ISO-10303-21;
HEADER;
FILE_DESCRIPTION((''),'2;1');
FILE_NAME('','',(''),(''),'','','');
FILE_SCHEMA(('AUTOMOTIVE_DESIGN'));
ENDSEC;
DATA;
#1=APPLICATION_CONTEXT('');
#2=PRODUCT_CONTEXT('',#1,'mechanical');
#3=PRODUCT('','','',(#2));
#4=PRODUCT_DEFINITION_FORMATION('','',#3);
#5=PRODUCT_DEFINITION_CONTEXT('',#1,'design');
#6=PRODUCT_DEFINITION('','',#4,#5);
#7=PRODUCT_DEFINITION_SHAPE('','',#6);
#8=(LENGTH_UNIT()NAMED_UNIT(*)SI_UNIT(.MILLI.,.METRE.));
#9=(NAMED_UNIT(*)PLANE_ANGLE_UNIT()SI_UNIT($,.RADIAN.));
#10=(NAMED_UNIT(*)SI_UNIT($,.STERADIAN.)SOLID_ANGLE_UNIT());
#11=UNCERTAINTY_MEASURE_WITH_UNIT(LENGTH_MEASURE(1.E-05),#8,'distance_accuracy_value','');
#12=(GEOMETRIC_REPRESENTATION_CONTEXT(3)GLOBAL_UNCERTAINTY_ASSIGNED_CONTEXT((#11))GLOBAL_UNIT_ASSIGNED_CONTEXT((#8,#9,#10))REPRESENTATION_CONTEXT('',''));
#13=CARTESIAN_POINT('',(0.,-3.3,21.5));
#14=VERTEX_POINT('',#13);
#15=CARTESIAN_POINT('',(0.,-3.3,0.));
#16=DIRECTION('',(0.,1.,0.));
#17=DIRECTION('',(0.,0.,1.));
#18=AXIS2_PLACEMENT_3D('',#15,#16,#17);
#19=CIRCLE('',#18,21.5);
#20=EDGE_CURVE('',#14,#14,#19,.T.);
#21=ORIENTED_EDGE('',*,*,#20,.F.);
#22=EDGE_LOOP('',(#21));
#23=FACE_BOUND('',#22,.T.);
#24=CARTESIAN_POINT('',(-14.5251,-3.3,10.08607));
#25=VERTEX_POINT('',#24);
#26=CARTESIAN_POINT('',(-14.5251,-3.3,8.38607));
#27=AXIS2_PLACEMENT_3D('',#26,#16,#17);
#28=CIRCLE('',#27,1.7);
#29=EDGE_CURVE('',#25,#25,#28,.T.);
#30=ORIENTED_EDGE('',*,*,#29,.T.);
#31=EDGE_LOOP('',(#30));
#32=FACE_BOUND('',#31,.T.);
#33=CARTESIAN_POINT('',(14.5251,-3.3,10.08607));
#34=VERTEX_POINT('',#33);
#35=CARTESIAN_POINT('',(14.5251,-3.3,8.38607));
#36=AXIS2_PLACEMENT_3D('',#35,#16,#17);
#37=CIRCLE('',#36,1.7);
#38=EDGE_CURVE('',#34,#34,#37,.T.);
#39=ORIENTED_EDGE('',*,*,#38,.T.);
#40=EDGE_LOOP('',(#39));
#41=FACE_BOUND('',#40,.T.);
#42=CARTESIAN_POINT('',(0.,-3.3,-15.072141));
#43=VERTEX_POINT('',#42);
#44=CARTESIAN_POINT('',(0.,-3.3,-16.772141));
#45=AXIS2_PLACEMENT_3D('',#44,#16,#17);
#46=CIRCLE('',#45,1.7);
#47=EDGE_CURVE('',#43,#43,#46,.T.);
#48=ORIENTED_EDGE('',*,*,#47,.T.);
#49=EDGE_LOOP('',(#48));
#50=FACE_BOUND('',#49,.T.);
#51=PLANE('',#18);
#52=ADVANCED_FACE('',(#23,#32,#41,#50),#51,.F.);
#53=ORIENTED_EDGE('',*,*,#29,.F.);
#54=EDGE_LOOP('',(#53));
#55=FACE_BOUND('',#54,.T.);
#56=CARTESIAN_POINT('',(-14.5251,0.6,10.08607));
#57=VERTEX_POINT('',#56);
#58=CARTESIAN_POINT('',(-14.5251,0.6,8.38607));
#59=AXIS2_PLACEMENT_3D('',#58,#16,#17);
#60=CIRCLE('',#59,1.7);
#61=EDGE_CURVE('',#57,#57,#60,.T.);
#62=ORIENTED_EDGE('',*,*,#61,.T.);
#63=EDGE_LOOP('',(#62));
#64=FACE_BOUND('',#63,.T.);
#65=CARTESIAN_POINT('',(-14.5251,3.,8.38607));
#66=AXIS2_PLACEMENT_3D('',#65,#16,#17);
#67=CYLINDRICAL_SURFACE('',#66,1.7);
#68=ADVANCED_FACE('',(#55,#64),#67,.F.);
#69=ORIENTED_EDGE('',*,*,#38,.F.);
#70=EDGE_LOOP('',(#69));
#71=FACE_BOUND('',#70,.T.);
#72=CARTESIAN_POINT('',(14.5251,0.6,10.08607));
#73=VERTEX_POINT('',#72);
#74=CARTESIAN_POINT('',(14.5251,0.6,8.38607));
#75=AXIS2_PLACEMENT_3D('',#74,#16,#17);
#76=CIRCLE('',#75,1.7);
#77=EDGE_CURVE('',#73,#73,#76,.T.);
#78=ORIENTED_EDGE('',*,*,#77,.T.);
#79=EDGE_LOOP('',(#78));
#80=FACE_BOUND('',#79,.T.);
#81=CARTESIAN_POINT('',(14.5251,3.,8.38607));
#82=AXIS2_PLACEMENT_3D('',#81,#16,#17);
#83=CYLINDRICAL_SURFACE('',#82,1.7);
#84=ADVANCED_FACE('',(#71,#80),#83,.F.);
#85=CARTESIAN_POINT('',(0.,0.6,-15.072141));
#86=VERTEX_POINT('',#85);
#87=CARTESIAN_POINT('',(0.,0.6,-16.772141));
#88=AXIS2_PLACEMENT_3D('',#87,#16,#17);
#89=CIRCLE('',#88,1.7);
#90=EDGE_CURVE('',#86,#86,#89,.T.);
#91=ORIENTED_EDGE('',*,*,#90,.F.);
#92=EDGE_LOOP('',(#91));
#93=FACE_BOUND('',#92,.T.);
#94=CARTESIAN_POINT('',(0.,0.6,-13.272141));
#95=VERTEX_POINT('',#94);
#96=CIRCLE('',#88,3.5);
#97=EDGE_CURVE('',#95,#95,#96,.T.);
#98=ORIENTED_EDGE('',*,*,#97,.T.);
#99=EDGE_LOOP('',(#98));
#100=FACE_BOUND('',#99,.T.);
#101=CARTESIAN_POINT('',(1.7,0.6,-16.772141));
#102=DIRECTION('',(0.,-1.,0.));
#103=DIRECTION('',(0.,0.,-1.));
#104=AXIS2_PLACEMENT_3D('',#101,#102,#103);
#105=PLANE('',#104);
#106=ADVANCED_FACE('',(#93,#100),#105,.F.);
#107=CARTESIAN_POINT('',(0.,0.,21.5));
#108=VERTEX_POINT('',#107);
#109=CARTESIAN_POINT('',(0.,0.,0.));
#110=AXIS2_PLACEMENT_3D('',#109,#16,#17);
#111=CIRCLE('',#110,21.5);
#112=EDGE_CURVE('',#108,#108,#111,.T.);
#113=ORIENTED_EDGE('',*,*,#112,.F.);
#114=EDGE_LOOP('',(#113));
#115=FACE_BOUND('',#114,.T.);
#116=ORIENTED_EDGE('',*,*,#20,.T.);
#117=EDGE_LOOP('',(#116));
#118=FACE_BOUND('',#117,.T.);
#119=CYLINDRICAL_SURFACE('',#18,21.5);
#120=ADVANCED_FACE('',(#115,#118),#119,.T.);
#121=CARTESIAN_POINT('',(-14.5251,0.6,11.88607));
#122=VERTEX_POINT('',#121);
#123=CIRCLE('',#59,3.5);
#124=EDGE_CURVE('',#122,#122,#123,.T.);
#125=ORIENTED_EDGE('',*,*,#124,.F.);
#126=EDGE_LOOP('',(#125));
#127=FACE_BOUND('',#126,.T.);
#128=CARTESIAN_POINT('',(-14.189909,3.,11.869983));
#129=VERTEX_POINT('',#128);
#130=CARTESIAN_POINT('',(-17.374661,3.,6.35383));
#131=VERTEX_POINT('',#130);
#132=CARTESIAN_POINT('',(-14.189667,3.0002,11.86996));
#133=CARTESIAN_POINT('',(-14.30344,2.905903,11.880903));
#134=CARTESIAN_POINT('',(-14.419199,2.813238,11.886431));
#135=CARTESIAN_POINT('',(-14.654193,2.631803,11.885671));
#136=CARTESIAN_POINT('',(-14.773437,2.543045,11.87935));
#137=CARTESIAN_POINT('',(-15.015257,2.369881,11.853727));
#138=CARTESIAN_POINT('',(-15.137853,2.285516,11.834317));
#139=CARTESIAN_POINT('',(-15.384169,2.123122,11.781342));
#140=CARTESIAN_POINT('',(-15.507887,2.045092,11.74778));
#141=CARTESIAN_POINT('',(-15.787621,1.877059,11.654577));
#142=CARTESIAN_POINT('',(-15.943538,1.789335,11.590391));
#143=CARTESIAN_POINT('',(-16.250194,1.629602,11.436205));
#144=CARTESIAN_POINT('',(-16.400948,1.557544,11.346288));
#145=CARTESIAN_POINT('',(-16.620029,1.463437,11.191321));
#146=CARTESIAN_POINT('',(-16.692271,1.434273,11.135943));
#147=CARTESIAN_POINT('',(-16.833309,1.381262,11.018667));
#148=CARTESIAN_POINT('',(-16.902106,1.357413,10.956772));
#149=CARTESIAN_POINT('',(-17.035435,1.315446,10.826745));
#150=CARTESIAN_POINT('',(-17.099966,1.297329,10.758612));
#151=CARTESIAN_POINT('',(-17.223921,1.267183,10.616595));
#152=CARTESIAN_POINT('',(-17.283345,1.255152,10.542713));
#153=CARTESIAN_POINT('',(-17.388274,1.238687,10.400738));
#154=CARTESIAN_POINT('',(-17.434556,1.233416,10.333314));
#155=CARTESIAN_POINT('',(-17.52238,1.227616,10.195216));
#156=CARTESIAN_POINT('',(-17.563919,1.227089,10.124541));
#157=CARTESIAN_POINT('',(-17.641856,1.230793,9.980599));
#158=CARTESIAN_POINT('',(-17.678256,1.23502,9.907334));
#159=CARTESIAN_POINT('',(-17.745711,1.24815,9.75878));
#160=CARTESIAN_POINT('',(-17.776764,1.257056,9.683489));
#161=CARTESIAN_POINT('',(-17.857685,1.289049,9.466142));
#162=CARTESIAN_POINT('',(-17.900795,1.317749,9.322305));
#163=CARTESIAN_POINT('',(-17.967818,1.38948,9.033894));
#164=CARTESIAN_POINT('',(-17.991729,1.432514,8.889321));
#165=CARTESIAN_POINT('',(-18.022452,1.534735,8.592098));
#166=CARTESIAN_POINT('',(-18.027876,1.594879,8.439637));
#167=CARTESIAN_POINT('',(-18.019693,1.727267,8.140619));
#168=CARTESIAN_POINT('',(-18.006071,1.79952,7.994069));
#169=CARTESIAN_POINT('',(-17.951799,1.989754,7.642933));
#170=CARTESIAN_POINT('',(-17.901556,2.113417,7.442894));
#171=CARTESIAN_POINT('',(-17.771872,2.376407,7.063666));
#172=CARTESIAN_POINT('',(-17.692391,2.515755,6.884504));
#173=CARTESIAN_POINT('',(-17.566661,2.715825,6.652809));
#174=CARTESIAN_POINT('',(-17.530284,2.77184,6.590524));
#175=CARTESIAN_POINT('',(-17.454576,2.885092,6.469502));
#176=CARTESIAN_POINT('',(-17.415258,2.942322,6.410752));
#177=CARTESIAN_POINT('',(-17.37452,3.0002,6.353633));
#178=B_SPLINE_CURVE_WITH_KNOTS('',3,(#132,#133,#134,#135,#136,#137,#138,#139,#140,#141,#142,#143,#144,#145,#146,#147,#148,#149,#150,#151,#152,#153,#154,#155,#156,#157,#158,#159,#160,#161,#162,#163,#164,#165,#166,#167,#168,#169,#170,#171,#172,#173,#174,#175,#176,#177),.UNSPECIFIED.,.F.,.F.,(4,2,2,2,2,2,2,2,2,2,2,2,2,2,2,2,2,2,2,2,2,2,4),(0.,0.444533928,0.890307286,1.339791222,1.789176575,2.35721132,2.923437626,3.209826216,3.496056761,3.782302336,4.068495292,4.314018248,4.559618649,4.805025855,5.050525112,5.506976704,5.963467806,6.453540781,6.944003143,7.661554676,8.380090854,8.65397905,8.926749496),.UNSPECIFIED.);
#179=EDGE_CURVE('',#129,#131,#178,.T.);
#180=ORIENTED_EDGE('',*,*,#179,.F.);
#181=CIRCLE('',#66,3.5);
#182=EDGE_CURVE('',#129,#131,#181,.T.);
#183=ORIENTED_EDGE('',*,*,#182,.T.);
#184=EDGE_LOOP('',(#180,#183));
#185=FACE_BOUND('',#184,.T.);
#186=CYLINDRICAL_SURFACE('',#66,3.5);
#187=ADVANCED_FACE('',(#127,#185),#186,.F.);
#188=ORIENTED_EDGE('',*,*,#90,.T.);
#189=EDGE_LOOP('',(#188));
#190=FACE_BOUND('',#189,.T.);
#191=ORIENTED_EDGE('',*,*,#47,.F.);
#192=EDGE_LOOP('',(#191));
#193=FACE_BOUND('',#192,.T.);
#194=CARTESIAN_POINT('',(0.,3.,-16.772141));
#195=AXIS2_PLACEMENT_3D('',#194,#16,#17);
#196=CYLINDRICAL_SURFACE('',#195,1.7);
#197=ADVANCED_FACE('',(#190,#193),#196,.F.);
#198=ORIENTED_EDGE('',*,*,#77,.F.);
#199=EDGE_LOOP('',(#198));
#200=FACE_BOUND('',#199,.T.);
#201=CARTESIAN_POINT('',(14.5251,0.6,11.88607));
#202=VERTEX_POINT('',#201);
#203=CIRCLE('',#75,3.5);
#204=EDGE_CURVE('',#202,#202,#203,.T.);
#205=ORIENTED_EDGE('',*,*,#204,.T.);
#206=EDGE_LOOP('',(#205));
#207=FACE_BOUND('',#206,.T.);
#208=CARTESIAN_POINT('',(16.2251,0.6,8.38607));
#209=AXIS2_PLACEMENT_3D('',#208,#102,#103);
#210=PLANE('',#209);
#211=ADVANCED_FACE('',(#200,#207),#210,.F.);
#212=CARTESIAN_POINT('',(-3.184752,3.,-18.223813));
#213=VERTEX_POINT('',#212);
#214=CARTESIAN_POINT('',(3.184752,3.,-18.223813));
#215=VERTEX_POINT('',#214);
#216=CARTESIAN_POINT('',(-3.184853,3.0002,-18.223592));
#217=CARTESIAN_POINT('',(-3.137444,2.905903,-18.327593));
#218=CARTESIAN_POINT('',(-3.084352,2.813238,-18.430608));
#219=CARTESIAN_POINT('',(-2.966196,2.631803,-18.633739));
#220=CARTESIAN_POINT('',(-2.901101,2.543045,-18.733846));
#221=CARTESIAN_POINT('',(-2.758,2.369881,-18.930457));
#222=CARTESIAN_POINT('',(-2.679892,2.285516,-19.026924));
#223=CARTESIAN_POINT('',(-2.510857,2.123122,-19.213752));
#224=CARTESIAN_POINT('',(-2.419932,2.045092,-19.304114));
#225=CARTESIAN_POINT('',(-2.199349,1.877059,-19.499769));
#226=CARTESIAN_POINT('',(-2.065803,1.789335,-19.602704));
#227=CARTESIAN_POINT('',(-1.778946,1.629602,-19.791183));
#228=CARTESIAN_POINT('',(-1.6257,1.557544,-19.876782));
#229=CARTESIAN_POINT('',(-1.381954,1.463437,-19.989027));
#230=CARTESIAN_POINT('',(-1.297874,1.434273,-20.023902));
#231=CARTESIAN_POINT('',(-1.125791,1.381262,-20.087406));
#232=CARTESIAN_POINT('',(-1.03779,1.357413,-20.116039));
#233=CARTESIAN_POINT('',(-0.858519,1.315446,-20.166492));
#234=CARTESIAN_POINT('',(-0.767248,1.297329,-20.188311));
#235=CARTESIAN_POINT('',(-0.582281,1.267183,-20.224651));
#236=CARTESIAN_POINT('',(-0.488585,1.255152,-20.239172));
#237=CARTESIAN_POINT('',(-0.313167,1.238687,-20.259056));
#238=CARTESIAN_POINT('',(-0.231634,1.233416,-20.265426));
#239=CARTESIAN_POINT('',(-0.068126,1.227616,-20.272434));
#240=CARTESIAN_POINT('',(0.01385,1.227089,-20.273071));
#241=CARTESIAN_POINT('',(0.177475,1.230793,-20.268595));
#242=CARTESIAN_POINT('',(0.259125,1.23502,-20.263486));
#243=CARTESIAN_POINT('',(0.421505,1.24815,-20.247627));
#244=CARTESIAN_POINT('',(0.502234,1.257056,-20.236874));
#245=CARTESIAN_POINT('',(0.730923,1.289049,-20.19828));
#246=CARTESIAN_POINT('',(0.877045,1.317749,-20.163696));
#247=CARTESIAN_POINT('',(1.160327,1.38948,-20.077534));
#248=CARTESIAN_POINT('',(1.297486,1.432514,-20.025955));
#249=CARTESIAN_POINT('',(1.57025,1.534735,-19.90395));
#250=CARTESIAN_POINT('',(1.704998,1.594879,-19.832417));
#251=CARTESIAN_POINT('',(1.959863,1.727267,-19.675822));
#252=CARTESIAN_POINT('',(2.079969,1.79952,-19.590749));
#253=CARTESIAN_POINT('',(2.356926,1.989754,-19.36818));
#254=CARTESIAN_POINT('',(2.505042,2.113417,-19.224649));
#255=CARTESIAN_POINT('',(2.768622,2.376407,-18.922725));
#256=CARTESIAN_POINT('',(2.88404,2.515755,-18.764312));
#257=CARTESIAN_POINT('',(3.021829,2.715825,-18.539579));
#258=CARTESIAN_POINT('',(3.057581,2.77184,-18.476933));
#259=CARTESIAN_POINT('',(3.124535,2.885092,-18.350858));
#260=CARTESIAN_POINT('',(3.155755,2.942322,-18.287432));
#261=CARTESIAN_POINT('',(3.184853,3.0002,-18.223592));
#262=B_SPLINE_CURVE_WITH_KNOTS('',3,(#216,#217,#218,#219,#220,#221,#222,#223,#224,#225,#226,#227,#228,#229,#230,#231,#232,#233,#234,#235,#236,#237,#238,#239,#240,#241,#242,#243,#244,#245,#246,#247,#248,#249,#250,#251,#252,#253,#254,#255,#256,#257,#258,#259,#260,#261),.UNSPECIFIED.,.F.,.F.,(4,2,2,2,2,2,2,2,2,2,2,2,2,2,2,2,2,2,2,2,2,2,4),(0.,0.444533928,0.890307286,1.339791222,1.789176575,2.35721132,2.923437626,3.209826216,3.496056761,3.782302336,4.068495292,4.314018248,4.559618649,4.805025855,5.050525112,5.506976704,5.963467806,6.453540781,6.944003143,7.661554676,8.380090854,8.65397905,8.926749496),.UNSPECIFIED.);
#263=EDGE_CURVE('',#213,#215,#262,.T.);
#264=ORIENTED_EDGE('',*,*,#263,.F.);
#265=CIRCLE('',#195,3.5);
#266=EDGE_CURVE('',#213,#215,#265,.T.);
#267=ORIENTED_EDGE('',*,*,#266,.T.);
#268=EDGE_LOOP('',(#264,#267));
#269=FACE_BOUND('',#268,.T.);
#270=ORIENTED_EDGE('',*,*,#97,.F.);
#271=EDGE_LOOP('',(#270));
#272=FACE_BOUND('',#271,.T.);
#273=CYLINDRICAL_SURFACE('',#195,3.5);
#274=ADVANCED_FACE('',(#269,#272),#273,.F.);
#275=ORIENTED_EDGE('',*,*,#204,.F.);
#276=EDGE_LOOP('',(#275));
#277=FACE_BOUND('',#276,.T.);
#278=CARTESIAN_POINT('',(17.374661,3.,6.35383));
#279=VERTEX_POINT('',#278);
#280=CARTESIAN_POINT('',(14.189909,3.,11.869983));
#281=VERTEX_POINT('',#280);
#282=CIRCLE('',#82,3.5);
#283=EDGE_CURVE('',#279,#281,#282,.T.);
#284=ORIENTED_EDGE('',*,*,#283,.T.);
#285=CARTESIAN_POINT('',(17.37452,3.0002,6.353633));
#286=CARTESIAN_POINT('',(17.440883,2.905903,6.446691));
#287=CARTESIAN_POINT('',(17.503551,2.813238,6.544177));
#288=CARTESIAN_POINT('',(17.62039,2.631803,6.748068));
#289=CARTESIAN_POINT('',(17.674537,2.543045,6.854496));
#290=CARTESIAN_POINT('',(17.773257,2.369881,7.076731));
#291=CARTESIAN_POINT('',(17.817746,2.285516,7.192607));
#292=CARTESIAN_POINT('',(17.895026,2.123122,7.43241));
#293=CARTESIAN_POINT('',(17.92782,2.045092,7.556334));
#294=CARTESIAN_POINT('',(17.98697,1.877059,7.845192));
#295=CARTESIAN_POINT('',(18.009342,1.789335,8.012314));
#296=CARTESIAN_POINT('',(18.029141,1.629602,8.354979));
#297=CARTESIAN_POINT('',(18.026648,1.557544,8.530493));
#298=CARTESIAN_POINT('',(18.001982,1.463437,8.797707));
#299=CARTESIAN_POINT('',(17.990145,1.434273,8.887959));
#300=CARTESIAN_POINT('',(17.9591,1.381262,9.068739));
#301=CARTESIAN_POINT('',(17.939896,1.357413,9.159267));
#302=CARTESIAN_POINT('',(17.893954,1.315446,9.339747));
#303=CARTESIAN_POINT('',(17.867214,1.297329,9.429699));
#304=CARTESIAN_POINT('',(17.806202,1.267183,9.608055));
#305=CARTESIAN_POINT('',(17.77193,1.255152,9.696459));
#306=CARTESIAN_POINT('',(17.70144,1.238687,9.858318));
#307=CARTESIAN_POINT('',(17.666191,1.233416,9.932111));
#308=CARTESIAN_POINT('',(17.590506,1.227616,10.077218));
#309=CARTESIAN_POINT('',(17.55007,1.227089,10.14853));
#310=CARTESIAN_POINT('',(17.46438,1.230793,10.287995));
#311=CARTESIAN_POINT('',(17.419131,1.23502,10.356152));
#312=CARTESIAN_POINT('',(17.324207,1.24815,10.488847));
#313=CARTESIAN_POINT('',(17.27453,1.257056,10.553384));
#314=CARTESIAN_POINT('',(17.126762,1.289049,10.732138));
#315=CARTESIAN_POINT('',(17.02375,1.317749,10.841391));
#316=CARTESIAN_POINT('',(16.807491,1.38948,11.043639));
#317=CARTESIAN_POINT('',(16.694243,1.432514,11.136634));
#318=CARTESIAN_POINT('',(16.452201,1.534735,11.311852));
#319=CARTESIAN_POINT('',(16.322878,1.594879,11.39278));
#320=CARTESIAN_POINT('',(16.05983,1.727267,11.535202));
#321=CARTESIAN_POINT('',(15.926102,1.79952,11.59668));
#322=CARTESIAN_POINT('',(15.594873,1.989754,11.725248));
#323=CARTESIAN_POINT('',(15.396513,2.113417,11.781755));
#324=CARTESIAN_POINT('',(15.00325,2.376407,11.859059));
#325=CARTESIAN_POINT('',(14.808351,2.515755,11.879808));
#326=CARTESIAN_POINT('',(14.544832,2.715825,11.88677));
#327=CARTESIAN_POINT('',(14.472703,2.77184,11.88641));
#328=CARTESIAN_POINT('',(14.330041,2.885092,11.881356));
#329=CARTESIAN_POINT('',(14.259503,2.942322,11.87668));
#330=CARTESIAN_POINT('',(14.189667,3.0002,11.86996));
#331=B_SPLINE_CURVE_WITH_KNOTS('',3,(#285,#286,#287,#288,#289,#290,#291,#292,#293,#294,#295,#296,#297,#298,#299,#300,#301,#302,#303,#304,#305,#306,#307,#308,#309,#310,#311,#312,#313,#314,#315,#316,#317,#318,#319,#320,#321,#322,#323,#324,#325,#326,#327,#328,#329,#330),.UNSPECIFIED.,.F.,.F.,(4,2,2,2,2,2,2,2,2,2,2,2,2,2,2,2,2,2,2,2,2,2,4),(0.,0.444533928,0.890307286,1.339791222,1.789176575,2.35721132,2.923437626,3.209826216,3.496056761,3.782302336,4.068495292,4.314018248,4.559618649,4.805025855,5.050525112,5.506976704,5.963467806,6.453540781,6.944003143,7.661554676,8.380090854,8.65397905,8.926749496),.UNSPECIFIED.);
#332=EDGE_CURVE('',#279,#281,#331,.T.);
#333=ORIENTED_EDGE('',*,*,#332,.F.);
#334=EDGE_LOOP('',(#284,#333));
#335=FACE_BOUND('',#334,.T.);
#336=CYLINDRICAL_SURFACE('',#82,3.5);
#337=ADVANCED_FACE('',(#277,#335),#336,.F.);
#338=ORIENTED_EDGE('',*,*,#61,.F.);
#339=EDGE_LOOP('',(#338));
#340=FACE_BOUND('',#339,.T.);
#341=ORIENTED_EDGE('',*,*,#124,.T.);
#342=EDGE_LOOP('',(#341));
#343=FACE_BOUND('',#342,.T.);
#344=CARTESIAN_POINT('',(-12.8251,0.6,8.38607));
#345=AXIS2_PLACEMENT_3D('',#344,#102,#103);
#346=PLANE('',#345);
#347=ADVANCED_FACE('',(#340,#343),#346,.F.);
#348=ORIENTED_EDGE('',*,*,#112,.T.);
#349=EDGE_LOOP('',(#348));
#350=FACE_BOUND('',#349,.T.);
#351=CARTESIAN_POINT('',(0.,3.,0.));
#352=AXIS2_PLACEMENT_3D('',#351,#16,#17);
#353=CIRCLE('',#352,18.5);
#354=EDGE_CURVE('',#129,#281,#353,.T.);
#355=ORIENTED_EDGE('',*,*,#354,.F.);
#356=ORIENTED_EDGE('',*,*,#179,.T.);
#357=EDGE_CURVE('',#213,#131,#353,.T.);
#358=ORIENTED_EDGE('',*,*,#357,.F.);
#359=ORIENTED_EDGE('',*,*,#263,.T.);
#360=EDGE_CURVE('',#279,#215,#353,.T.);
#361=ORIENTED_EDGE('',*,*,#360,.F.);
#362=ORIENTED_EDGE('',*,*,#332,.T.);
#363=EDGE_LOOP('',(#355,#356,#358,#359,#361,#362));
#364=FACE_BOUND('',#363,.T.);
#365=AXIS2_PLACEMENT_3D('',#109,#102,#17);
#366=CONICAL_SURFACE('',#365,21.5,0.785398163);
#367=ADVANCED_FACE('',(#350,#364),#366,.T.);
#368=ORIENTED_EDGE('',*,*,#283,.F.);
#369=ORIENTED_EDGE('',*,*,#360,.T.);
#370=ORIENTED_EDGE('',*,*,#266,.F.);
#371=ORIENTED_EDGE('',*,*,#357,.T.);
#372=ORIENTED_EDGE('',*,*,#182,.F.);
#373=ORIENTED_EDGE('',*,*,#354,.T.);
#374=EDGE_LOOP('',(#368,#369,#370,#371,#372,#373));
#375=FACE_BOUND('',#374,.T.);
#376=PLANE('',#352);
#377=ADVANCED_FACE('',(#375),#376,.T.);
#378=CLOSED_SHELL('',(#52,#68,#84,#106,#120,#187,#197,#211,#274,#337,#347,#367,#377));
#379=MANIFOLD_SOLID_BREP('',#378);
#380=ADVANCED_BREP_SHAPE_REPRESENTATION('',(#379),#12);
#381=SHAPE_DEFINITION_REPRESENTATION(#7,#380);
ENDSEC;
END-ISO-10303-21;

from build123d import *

# Parameters (mm, degrees)
SZKIC2_R                                             = 21.5
DODANIE_WYCI_GNI_CIE1_DEPTH                          = 3.3
DODANIE_WYCI_GNI_CIE1_OTHER_WAY_DEPTH                = 3
DODANIE_WYCI_GNI_CIE1_OTHER_WAY_TAPER                = 45
POG_BIENIE_WALCOWE_POD_M3_WKR_T_DO_CZ_CI_D           = 3.4
POG_BIENIE_WALCOWE_POD_M3_WKR_T_DO_CZ_CI_CBORE_D     = 7
POG_BIENIE_WALCOWE_POD_M3_WKR_T_DO_CZ_CI_CBORE_DEPTH = 2.4
SZYK_KO_OWY1_COUNT                                   = 3


with BuildPart() as part:
    # Szkic2 → Dodanie-wyciągnięcie1 (new body)
    with BuildSketch(Plane(origin=(0, 0, 0), x_dir=(1, 0, 0), z_dir=(0, 1, 0))):
        Circle(SZKIC2_R)
    extrude(amount=-DODANIE_WYCI_GNI_CIE1_DEPTH)

    # Szkic2 → Dodanie-wyciągnięcie1 other way (add)
    with BuildSketch(Plane(origin=(0, 0, 0), x_dir=(1, 0, 0), z_dir=(0, 1, 0))):
        Circle(SZKIC2_R)
    extrude(amount=DODANIE_WYCI_GNI_CIE1_OTHER_WAY_DEPTH, taper=DODANIE_WYCI_GNI_CIE1_OTHER_WAY_TAPER)

    # Pogłębienie walcowe pod M3 wkręt do części metalowych z łbem stożkowym ściętym2 (through all)
    with Locations(Plane(origin=(0, 3, 0), x_dir=(1, 0, 0), z_dir=(0, 1, 0))):
        with Locations((0, 16.772140565)):
            pog_bienie_walcowe_pod_m3_wkr_t_do_cz_ci = CounterBoreHole(POG_BIENIE_WALCOWE_POD_M3_WKR_T_DO_CZ_CI_D / 2, POG_BIENIE_WALCOWE_POD_M3_WKR_T_DO_CZ_CI_CBORE_D / 2, POG_BIENIE_WALCOWE_POD_M3_WKR_T_DO_CZ_CI_CBORE_DEPTH)

    # Szyk kołowy1: Pogłębienie walcowe pod M3 wkręt do części metalowych z łbem stożkowym ściętym2 ×3 about axis
    szyk_ko_owy1_axis = Axis((0, 0, 0), (0, 1, 0))
    for i in range(1, SZYK_KO_OWY1_COUNT):
        add(pog_bienie_walcowe_pod_m3_wkr_t_do_cz_ci.rotate(szyk_ko_owy1_axis, i * 360 / SZYK_KO_OWY1_COUNT), mode=Mode.SUBTRACT)


solid = part.part
